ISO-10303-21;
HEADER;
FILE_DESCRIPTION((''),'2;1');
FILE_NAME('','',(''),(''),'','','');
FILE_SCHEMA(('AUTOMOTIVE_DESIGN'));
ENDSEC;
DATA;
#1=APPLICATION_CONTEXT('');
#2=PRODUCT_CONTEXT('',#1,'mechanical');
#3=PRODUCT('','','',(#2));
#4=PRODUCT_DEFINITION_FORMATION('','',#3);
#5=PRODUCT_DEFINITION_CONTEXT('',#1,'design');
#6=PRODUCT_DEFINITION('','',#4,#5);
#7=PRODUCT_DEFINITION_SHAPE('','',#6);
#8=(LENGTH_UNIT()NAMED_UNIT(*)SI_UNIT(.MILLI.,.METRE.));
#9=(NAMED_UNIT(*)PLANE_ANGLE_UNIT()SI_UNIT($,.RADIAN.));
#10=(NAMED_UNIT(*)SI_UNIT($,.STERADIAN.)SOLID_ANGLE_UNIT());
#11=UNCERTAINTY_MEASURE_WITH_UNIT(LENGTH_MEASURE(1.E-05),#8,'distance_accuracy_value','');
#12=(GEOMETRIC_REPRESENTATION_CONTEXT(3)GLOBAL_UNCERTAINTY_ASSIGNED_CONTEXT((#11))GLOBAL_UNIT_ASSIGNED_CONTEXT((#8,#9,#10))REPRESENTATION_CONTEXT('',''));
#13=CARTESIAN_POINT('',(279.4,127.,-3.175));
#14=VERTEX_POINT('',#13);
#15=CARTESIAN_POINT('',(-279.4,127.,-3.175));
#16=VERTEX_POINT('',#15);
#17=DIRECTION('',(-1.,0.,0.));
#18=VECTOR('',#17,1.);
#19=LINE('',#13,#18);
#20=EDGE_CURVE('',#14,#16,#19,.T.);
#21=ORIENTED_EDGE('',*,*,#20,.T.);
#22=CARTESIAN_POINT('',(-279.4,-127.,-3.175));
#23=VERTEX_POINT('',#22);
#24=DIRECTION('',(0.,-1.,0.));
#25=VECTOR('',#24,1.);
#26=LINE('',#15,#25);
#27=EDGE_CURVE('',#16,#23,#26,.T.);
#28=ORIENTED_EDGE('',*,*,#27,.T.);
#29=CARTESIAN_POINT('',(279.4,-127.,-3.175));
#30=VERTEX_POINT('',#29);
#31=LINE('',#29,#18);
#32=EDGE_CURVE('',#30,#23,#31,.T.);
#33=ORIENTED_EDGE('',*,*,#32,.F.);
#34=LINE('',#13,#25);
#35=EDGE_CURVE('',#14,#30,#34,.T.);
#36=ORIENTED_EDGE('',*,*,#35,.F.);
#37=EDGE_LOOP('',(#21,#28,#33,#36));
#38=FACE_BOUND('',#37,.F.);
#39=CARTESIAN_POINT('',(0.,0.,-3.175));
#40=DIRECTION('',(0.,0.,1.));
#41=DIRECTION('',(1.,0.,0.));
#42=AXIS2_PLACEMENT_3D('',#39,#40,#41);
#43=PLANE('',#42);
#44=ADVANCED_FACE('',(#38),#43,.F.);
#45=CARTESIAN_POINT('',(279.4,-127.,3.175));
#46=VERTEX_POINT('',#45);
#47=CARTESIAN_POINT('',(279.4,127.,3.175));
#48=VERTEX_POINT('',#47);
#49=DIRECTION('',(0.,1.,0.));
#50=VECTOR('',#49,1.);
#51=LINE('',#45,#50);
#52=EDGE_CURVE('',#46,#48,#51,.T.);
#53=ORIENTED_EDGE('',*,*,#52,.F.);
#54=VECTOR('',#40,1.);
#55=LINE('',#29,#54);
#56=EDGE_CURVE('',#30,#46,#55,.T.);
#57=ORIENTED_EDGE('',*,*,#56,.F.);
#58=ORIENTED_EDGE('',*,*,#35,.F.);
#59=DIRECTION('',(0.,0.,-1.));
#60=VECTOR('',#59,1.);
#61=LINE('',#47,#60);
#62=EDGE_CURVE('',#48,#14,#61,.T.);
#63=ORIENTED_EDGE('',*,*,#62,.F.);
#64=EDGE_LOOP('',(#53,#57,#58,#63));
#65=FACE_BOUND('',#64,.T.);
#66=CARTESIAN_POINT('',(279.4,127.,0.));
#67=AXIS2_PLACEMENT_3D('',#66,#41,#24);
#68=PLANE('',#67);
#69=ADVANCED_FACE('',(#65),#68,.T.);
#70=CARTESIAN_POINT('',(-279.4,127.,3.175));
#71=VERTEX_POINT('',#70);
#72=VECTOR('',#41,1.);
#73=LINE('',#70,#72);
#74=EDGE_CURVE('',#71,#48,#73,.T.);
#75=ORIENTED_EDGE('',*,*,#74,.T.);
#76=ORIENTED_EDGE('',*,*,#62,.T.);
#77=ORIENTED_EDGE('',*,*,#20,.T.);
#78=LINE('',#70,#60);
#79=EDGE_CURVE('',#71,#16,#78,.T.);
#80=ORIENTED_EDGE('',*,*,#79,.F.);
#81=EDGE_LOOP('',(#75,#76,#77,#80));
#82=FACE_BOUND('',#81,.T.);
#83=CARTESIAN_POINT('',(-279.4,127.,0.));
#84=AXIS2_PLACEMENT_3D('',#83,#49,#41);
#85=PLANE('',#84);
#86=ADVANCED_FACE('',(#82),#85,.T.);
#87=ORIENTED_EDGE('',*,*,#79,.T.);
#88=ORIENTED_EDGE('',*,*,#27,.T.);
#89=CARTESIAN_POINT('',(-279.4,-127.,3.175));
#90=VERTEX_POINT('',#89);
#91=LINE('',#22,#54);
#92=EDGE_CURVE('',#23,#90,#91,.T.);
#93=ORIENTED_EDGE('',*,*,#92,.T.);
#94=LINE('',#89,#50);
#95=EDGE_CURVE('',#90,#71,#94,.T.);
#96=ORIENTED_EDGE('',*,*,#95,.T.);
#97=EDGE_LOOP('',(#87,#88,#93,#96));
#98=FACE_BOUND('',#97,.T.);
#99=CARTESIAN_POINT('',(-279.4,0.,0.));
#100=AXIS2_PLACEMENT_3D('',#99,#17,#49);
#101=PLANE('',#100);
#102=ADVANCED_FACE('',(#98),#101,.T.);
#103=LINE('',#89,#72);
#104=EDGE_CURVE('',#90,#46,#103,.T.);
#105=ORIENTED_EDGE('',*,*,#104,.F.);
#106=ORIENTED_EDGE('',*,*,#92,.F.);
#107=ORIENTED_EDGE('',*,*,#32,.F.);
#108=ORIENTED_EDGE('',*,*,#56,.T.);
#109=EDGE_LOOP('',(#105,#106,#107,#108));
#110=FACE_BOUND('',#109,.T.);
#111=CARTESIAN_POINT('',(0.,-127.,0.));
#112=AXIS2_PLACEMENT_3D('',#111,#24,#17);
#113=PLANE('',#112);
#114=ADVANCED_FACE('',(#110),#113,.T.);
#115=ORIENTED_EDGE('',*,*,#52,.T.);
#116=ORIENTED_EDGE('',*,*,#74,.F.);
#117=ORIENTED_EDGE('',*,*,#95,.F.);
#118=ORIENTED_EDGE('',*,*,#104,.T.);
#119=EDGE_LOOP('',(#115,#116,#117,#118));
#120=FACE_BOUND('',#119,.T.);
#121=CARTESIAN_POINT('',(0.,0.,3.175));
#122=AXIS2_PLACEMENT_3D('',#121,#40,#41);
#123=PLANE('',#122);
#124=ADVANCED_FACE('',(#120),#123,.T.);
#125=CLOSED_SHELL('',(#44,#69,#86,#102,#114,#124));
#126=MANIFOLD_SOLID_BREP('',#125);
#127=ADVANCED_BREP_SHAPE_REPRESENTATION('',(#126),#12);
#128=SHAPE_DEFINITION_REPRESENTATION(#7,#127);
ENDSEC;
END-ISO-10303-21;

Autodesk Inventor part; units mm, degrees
ref_plane "YZ Plane" through (0, 0, 0) normal (1, 0, 0) x (0, 1, 0)
ref_plane "XZ Plane" through (0, 0, 0) normal (0, 1, 0) x (-1, 0, 0)
ref_plane "XY Plane" through (0, 0, 0) normal (0, 0, 1) x (1, 0, 0)
sketch "Sketch1" plane through (0, 0, 0) normal (0, 0, 1) x (1, 0, 0)
  line L0 (-391.16, 0) -> (391.16, 0) projected
  line L1 (0, -177.8) -> (0, 177.8) projected
  line L2 (-279.4, 127) -> (279.4, 127)
  line L3 (279.4, 127) -> (279.4, -127)
  line L4 (279.4, -127) -> (-279.4, -127)
  line L5 (-279.4, -127) -> (-279.4, 127)
  point P0 (0, 0)
  point P1 (-279.4, 0)
  point P2 (0, 127)
  dimension "d0" = 558.8
  dimension "d1" = 254
extrude "Extrusion1" add sketch "Sketch1" along normal mid plane 6.35
properties part number "electrical board front top" material "ABS Plastic"
